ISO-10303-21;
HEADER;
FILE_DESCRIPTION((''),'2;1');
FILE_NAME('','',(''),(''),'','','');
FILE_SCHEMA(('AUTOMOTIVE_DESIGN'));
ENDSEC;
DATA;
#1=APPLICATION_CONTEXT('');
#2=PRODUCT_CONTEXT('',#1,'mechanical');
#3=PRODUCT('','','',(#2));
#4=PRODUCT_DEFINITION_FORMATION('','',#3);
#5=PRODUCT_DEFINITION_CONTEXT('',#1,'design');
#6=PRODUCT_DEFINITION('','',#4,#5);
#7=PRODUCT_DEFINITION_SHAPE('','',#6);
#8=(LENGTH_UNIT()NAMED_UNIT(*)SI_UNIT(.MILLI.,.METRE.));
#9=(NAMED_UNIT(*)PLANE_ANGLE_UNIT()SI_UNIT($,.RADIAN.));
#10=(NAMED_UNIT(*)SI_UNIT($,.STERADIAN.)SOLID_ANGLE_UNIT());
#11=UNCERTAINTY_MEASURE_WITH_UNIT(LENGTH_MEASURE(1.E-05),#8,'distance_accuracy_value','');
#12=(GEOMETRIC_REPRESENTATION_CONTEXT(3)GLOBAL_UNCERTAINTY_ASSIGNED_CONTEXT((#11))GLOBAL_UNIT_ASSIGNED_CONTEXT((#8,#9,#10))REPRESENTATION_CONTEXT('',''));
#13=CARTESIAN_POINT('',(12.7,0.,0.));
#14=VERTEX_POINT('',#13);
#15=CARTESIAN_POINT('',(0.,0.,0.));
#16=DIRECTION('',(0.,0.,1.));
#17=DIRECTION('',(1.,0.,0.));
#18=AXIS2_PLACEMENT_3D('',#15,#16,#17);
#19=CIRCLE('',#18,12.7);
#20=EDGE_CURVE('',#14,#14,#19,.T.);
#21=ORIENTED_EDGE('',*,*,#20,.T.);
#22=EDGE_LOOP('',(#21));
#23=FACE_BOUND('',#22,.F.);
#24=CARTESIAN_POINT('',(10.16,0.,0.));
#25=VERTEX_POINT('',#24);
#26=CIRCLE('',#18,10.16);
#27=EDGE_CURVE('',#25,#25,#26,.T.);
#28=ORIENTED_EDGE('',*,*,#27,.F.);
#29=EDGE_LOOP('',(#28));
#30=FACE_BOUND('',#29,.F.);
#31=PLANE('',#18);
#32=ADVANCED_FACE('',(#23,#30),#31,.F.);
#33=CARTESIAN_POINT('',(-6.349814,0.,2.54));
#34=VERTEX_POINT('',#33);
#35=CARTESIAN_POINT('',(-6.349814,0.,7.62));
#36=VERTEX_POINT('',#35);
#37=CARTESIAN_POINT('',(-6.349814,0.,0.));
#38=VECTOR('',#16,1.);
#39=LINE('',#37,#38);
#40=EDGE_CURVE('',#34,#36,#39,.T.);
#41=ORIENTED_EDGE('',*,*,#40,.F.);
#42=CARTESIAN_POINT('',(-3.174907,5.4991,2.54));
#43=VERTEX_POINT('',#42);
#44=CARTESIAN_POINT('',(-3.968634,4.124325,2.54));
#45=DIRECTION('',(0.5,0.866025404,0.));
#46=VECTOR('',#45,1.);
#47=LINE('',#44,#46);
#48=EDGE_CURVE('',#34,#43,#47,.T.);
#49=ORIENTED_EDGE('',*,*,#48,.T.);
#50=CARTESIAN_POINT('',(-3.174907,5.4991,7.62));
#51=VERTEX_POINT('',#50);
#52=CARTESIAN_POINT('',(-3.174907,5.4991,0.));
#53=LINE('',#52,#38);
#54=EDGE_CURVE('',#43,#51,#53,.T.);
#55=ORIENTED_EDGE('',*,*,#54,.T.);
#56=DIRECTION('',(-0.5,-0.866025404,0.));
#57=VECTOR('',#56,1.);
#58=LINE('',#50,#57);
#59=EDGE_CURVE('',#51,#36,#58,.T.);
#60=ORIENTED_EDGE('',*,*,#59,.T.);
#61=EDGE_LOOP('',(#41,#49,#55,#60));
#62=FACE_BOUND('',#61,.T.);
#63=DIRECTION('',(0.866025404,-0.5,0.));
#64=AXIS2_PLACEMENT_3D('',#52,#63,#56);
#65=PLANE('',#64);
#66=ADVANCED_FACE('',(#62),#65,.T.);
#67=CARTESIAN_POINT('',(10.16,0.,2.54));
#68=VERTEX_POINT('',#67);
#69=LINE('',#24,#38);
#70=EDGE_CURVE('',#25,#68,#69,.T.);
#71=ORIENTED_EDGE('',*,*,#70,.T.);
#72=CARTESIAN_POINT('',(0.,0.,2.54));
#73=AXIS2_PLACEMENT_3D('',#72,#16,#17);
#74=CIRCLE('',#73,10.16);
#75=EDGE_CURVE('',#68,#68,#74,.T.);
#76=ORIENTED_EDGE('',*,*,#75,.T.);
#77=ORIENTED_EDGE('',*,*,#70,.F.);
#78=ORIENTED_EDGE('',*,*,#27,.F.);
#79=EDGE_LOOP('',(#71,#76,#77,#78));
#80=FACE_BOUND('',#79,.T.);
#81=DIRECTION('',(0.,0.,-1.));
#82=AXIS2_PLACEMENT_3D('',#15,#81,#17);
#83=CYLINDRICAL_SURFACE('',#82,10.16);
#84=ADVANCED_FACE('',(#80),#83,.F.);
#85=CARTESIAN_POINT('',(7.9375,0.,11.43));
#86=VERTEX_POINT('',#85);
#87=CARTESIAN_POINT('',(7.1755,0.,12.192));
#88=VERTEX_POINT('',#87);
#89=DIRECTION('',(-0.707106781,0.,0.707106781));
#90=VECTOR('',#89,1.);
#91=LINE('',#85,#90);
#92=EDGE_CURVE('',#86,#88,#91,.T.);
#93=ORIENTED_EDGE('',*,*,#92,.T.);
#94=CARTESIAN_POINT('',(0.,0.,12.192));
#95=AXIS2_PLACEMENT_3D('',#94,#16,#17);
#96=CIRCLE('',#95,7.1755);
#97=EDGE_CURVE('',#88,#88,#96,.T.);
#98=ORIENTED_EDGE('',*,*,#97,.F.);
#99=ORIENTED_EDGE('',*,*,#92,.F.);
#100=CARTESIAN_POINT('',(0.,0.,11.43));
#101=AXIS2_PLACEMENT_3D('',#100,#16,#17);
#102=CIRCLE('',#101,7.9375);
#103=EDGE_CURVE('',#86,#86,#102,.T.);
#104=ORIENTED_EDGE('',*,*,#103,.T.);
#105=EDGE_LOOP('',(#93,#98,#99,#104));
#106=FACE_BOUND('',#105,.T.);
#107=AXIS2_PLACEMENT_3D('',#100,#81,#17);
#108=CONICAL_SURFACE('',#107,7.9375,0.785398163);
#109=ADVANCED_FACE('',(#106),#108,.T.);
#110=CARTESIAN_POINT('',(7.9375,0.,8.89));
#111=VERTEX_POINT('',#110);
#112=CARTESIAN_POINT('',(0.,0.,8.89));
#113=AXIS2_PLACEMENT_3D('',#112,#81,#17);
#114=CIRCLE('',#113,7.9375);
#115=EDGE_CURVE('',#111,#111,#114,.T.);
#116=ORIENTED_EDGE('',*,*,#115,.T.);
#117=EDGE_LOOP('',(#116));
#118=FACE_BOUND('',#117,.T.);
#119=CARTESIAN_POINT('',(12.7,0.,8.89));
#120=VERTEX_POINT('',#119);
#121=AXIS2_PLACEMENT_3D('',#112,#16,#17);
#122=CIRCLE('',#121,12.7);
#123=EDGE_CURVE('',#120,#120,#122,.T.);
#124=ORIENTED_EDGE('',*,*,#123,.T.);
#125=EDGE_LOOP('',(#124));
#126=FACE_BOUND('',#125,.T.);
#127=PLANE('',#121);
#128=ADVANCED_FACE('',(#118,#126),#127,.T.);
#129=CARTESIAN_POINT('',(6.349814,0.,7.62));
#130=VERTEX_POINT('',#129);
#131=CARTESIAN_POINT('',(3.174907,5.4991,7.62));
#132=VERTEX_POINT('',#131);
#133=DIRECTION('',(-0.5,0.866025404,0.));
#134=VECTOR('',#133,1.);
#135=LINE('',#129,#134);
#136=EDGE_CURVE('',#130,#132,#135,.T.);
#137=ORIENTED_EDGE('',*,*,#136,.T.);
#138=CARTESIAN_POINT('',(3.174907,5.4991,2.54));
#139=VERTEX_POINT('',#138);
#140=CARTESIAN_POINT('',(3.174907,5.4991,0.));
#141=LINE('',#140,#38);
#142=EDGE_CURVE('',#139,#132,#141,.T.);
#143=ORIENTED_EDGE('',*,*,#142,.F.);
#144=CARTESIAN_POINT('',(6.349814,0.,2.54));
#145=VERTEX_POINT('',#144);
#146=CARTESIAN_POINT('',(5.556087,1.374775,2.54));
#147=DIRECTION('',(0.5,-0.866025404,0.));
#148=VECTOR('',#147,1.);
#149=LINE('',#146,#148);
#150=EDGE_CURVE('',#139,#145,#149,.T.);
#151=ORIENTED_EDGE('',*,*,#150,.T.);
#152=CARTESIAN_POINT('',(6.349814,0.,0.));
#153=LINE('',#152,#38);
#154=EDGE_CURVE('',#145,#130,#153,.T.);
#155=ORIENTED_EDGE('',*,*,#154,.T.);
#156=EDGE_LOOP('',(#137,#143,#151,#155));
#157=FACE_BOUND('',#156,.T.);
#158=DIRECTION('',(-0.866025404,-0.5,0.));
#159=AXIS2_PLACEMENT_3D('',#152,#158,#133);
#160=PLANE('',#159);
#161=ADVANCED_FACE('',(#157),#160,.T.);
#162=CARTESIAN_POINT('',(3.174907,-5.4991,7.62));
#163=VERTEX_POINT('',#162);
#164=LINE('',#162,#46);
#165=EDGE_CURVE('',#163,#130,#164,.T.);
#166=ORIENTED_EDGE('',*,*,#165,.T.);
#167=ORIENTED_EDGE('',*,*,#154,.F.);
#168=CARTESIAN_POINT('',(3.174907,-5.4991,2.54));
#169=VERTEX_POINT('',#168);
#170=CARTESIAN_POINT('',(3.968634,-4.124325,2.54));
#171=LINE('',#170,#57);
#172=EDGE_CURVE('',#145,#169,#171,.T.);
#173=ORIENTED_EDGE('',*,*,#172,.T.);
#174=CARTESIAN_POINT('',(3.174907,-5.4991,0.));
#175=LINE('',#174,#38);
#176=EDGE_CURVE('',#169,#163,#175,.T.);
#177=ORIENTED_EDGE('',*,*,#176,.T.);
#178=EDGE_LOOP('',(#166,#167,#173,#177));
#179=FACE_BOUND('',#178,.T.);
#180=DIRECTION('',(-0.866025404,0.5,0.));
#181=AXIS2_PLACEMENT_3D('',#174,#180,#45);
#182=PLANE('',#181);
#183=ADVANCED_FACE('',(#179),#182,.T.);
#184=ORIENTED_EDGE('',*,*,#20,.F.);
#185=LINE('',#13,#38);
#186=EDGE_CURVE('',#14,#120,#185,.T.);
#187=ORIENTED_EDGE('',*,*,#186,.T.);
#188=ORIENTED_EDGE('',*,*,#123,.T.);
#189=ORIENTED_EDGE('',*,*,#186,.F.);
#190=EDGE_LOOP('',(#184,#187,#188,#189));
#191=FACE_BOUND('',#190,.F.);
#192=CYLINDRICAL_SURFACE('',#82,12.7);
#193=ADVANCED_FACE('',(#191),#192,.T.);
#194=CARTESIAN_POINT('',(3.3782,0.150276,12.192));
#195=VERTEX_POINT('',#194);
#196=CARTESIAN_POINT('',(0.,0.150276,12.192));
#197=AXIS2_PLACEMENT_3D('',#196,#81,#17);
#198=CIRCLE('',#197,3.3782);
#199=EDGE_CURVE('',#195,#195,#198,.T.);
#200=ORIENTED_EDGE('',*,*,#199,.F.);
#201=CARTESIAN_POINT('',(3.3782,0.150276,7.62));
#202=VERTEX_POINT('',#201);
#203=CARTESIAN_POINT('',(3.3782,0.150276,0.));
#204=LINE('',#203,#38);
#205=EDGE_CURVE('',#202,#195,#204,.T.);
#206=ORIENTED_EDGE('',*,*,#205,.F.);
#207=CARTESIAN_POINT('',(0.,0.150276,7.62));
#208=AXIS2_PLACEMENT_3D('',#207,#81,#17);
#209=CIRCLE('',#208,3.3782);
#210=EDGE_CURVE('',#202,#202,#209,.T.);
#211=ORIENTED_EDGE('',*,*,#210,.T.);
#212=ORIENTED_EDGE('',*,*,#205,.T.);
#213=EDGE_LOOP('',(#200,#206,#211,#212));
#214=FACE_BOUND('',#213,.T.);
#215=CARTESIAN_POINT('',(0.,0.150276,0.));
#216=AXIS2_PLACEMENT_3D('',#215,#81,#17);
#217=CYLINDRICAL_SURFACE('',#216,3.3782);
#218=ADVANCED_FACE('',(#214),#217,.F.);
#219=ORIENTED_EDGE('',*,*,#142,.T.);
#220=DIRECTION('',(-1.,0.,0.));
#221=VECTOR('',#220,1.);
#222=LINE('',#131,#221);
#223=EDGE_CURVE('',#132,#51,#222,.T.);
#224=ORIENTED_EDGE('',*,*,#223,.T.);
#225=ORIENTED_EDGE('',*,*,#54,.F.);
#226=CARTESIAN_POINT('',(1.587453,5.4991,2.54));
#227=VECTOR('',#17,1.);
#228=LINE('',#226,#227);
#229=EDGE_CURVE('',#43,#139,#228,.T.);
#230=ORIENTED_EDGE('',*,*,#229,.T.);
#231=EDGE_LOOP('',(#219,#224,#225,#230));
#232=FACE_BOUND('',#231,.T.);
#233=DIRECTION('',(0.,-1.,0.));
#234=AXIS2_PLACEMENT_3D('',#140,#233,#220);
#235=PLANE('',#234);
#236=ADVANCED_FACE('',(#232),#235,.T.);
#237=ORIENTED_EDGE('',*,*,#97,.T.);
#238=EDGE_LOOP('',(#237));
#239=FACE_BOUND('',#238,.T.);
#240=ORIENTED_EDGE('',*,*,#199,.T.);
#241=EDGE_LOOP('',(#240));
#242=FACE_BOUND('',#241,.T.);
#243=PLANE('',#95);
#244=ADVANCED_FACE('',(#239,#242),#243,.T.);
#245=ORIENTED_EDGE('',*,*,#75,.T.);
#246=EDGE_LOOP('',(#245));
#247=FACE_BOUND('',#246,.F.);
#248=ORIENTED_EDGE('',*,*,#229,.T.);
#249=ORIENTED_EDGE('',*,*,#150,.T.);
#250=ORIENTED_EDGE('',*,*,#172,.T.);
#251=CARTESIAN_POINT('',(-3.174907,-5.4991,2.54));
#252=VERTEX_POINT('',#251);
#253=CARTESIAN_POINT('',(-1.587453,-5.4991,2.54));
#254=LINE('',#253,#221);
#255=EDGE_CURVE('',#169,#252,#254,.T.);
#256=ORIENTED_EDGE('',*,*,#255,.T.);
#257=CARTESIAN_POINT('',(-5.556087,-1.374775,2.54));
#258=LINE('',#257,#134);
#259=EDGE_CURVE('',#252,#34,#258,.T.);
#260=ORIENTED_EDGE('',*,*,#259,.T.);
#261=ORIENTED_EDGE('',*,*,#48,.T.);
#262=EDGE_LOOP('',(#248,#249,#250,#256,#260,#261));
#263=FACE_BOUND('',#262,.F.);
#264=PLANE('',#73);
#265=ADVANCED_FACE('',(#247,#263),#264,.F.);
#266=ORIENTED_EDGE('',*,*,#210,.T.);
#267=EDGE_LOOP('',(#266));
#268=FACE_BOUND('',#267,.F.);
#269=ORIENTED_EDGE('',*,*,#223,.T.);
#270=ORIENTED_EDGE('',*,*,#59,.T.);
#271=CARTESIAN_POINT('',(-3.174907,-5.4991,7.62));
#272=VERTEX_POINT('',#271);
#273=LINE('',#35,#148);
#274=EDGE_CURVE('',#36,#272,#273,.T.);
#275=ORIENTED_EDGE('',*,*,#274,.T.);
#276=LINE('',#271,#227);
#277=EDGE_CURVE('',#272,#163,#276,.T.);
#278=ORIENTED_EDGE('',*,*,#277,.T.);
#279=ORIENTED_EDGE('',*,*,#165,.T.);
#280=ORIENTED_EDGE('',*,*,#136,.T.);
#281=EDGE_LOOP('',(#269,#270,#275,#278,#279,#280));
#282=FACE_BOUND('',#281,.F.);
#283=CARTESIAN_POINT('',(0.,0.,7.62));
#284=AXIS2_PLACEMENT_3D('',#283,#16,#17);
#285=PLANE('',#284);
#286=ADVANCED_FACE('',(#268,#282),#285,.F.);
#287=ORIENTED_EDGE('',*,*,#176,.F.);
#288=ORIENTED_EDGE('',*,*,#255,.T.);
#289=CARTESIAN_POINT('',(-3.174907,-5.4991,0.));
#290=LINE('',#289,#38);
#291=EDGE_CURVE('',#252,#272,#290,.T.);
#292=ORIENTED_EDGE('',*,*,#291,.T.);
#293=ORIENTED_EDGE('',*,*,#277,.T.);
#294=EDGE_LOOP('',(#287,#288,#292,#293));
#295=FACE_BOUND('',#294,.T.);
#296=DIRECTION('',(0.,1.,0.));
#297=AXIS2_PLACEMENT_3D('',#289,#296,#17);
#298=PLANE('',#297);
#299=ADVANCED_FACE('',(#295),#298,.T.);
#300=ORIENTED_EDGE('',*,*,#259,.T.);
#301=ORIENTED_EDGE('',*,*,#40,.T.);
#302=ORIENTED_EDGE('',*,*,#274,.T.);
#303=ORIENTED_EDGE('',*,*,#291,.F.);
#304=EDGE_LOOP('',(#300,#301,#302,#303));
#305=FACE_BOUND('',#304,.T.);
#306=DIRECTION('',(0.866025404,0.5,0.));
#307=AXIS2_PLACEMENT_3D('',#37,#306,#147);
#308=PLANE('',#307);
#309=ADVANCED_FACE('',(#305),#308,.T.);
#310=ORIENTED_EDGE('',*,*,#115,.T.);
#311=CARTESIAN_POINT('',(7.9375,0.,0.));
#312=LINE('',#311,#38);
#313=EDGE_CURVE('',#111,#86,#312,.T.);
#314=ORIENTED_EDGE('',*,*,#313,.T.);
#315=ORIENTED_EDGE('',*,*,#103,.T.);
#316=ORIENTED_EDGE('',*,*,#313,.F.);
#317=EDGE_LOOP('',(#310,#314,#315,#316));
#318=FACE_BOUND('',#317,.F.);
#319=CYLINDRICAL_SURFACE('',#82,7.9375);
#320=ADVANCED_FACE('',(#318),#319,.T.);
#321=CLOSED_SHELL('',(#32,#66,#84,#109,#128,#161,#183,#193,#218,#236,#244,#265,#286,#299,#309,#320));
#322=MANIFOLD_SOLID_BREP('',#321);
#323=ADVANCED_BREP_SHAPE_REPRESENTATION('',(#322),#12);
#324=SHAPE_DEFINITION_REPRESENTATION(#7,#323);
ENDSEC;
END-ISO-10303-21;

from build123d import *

# Parameters (mm, degrees)
F0_R     = 12.7
F0_R_2   = 10.16
F0_R_3   = 7.9375
F0_R_4   = 3.3782
F1_DEPTH = 8.89
F2_DEPTH = 12.192
F3_DEPTH = 25.4
F4_DEPTH = 2.54
F5_SIZE  = 0.762
F7_DEPTH = 7.62


with BuildPart() as f1:
    # F0 (on Top) → F1 (new body)
    with BuildSketch(Plane.XY):
        Circle(F0_R)
        Circle(F0_R_2, mode=Mode.SUBTRACT)
        Circle(F0_R_2)
        Circle(F0_R_3, mode=Mode.SUBTRACT)
        Circle(F0_R_3)
        with Locations((0, 0.150276348)):
            Circle(F0_R_4, mode=Mode.SUBTRACT)
        with Locations((0, 0.150276348)):
            Circle(F0_R_4)
    extrude(amount=F1_DEPTH)

    # F0 (on Top) → F2 (join)
    with BuildSketch(Plane.XY):
        Circle(F0_R_3)
        with Locations((0, 0.150276348)):
            Circle(F0_R_4, mode=Mode.SUBTRACT)
        with Locations((0, 0.150276348)):
            Circle(F0_R_4)
    extrude(amount=F2_DEPTH)

    # F0 (on Top) → F3 (cut)
    with BuildSketch(Plane.XY):
        with Locations((0, 0.150276348)):
            Circle(F0_R_4)
    extrude(amount=F3_DEPTH, mode=Mode.SUBTRACT)

    # F0 (on Top) → F4 (cut)
    with BuildSketch(Plane.XY):
        Circle(F0_R_2)
        Circle(F0_R_3, mode=Mode.SUBTRACT)
        Circle(F0_R_3)
        with Locations((0, 0.150276348)):
            Circle(F0_R_4, mode=Mode.SUBTRACT)
    extrude(amount=F4_DEPTH, mode=Mode.SUBTRACT)

    # F5
    f5_edges = [f1.edges().sort_by_distance(p)[0] for p in [
        (-7.9375, 0, 12.192),
    ]]
    chamfer(f5_edges, length=F5_SIZE)

    # F6 (on Top) → F7 (cut)
    with BuildSketch(Plane.XY):
        Polygon((3.1749068653, 5.4991), (-3.1749068653, 5.4991), (-6.3498137306, 0), (-3.1749068653, -5.4991), (3.1749068653, -5.4991), (6.3498137306, 0), align=None)
    extrude(amount=F7_DEPTH, mode=Mode.SUBTRACT)


solid = f1.part
